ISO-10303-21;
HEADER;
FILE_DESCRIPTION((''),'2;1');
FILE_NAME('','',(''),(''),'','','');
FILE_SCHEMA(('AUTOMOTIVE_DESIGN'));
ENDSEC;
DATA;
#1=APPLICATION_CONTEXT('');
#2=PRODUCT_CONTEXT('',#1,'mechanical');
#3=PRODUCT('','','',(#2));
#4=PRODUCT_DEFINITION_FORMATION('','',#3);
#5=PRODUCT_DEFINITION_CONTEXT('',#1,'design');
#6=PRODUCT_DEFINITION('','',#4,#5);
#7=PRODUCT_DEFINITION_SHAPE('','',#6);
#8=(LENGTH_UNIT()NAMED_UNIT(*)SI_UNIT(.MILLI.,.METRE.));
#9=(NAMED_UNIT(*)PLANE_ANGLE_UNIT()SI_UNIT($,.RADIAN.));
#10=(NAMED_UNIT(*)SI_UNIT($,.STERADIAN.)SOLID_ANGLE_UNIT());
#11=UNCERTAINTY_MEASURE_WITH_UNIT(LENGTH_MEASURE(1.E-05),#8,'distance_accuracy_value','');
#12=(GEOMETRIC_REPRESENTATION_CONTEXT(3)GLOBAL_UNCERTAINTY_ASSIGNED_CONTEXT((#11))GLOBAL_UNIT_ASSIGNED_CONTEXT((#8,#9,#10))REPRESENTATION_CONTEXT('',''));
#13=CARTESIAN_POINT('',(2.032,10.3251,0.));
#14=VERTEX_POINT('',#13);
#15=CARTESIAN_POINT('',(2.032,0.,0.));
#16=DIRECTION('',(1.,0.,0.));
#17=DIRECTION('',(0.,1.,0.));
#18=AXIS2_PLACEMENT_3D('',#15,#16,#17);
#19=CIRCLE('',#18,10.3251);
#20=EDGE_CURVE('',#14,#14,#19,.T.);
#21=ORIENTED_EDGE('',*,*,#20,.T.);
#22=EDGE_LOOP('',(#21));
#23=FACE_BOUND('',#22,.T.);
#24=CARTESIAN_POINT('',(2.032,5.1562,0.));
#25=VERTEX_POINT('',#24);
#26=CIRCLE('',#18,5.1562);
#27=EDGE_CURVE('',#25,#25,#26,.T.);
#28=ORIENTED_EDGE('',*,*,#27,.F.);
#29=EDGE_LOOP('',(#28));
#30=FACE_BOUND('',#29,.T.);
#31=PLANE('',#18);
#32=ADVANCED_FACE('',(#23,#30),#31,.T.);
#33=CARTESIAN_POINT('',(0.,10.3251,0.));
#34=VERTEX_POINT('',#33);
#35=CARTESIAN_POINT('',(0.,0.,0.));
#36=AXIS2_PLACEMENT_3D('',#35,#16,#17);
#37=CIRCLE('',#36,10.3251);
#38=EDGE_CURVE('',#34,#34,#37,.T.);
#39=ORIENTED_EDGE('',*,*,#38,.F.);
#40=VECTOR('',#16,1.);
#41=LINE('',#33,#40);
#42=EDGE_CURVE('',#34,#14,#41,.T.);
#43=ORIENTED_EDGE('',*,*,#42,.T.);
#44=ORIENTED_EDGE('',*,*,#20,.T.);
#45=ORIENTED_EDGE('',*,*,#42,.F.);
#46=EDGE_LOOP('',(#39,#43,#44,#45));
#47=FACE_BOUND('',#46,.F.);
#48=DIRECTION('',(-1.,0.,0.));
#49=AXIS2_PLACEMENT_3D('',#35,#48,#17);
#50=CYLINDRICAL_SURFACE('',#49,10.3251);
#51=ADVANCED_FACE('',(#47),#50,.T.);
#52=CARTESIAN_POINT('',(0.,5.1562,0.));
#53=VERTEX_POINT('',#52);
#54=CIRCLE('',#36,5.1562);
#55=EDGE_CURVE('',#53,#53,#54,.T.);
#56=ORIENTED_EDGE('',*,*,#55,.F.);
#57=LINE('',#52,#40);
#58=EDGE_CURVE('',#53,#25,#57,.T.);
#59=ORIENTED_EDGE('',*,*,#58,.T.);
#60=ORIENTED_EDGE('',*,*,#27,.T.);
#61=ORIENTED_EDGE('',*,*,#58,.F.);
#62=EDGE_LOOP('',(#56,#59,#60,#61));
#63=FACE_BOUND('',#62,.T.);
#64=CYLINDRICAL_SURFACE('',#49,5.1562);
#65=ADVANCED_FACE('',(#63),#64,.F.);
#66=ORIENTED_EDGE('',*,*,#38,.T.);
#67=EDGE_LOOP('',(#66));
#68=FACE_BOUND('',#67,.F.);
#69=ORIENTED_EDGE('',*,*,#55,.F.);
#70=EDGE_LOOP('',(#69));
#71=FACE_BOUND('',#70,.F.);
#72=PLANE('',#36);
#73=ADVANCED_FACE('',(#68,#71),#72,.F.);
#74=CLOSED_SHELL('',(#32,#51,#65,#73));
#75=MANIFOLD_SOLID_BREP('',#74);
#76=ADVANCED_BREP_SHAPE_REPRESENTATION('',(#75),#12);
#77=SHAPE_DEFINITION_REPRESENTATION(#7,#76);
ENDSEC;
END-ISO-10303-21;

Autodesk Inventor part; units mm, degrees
ref_plane "YZ Plane" through (0, 0, 0) normal (1, 0, 0) x (0, 1, 0)
ref_plane "XZ Plane" through (0, 0, 0) normal (0, 1, 0) x (-1, 0, 0)
sketch "Sketch" plane through (0, 0, 0) normal (1, 0, 0) x (0, 1, 0)
  circle A0 centre (0, 0) radius 10.3251
  circle A1 centre (0, 0) radius 5.1562
  dimension "d0" = 10.3124
  dimension "d1" = 20.6502
extrude "Body" add sketch "Sketch" along normal blind 2.032
ref_plane "Work Plane1" through (0, 0, 0) normal (0, 0, 1) x (1, 0, 0)
equation "\"d0\" = SD1"
equation "\"d1\" = SD2"
equation "\"d2\" = SD"
equation "\"SD1\" = 10.3124"
equation "\"SD2\" = 20.6502"
equation "\"SD\" = 2.032"
equation "\"NND\" = 9.525"
properties part number "ASTM F436 - 3/8, CW" material "Steel, Mild"
